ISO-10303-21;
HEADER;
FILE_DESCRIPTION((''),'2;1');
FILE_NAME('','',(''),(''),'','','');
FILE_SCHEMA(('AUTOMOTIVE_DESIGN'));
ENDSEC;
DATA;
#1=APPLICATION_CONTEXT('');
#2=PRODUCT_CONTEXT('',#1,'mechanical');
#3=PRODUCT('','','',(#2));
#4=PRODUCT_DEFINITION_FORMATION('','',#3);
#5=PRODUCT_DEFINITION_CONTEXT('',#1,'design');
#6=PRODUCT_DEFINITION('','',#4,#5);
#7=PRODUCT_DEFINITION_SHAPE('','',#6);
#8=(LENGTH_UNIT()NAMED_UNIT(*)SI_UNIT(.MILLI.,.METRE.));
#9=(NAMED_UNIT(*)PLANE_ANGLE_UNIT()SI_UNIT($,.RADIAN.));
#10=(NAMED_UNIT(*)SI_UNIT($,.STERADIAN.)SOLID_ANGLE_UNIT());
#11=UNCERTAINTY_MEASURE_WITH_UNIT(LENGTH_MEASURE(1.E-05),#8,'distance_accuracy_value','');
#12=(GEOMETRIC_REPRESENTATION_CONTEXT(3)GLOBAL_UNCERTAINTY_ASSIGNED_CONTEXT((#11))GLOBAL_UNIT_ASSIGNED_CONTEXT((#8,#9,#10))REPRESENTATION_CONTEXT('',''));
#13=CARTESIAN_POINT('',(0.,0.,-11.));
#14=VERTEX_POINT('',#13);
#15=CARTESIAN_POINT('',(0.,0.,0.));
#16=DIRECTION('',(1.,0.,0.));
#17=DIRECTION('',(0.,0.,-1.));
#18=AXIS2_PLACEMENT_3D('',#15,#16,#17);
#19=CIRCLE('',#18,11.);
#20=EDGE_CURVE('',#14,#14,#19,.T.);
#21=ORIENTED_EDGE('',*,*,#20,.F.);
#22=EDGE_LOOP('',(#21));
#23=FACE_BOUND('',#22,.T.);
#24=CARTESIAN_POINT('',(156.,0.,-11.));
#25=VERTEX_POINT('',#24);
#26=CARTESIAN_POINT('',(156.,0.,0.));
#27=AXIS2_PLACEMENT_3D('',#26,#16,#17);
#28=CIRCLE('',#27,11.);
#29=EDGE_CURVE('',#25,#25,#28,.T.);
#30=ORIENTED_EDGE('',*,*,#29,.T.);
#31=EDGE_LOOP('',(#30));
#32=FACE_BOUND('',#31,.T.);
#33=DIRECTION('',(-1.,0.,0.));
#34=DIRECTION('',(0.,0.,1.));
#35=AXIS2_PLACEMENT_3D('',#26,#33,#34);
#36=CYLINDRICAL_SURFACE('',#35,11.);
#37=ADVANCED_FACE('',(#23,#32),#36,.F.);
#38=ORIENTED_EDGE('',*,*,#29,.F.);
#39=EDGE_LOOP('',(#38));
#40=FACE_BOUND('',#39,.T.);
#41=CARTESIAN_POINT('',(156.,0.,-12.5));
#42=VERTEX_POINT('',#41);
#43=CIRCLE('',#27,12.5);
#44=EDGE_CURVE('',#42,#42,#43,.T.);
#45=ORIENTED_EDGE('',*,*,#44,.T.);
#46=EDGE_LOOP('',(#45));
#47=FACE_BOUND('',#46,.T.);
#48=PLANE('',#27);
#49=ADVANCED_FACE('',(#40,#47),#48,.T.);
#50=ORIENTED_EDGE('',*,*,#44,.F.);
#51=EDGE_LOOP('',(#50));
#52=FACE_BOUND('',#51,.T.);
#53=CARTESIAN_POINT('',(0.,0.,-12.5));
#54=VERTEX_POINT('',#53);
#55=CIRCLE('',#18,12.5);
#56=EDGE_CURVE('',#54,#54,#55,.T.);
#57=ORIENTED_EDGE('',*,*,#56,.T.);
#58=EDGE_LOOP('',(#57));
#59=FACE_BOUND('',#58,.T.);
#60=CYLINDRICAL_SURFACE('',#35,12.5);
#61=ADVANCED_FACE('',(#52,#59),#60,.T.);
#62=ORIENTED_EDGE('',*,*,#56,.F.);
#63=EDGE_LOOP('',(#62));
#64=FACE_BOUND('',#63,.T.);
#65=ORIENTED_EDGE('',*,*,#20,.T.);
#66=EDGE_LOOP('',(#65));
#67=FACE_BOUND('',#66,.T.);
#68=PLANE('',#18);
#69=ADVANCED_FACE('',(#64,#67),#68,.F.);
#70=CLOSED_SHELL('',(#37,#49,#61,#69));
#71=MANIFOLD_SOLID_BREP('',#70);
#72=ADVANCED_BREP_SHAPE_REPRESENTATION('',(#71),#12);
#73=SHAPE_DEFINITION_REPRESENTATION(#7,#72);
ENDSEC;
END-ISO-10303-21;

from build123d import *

# Parameters (mm, degrees)
ESQUISSE1_R        = 12.5
ESQUISSE1_R_2      = 11
BOSS_EXTRU_1_DEPTH = 156


with BuildPart() as part:
    # Esquisse1 → Boss.-Extru.1 (new body)
    with BuildSketch(Plane(origin=(0, 0, 0), x_dir=(0, 0, -1), z_dir=(1, 0, 0))):
        Circle(ESQUISSE1_R)
        Circle(ESQUISSE1_R_2, mode=Mode.SUBTRACT)
    extrude(amount=BOSS_EXTRU_1_DEPTH)


solid = part.part
